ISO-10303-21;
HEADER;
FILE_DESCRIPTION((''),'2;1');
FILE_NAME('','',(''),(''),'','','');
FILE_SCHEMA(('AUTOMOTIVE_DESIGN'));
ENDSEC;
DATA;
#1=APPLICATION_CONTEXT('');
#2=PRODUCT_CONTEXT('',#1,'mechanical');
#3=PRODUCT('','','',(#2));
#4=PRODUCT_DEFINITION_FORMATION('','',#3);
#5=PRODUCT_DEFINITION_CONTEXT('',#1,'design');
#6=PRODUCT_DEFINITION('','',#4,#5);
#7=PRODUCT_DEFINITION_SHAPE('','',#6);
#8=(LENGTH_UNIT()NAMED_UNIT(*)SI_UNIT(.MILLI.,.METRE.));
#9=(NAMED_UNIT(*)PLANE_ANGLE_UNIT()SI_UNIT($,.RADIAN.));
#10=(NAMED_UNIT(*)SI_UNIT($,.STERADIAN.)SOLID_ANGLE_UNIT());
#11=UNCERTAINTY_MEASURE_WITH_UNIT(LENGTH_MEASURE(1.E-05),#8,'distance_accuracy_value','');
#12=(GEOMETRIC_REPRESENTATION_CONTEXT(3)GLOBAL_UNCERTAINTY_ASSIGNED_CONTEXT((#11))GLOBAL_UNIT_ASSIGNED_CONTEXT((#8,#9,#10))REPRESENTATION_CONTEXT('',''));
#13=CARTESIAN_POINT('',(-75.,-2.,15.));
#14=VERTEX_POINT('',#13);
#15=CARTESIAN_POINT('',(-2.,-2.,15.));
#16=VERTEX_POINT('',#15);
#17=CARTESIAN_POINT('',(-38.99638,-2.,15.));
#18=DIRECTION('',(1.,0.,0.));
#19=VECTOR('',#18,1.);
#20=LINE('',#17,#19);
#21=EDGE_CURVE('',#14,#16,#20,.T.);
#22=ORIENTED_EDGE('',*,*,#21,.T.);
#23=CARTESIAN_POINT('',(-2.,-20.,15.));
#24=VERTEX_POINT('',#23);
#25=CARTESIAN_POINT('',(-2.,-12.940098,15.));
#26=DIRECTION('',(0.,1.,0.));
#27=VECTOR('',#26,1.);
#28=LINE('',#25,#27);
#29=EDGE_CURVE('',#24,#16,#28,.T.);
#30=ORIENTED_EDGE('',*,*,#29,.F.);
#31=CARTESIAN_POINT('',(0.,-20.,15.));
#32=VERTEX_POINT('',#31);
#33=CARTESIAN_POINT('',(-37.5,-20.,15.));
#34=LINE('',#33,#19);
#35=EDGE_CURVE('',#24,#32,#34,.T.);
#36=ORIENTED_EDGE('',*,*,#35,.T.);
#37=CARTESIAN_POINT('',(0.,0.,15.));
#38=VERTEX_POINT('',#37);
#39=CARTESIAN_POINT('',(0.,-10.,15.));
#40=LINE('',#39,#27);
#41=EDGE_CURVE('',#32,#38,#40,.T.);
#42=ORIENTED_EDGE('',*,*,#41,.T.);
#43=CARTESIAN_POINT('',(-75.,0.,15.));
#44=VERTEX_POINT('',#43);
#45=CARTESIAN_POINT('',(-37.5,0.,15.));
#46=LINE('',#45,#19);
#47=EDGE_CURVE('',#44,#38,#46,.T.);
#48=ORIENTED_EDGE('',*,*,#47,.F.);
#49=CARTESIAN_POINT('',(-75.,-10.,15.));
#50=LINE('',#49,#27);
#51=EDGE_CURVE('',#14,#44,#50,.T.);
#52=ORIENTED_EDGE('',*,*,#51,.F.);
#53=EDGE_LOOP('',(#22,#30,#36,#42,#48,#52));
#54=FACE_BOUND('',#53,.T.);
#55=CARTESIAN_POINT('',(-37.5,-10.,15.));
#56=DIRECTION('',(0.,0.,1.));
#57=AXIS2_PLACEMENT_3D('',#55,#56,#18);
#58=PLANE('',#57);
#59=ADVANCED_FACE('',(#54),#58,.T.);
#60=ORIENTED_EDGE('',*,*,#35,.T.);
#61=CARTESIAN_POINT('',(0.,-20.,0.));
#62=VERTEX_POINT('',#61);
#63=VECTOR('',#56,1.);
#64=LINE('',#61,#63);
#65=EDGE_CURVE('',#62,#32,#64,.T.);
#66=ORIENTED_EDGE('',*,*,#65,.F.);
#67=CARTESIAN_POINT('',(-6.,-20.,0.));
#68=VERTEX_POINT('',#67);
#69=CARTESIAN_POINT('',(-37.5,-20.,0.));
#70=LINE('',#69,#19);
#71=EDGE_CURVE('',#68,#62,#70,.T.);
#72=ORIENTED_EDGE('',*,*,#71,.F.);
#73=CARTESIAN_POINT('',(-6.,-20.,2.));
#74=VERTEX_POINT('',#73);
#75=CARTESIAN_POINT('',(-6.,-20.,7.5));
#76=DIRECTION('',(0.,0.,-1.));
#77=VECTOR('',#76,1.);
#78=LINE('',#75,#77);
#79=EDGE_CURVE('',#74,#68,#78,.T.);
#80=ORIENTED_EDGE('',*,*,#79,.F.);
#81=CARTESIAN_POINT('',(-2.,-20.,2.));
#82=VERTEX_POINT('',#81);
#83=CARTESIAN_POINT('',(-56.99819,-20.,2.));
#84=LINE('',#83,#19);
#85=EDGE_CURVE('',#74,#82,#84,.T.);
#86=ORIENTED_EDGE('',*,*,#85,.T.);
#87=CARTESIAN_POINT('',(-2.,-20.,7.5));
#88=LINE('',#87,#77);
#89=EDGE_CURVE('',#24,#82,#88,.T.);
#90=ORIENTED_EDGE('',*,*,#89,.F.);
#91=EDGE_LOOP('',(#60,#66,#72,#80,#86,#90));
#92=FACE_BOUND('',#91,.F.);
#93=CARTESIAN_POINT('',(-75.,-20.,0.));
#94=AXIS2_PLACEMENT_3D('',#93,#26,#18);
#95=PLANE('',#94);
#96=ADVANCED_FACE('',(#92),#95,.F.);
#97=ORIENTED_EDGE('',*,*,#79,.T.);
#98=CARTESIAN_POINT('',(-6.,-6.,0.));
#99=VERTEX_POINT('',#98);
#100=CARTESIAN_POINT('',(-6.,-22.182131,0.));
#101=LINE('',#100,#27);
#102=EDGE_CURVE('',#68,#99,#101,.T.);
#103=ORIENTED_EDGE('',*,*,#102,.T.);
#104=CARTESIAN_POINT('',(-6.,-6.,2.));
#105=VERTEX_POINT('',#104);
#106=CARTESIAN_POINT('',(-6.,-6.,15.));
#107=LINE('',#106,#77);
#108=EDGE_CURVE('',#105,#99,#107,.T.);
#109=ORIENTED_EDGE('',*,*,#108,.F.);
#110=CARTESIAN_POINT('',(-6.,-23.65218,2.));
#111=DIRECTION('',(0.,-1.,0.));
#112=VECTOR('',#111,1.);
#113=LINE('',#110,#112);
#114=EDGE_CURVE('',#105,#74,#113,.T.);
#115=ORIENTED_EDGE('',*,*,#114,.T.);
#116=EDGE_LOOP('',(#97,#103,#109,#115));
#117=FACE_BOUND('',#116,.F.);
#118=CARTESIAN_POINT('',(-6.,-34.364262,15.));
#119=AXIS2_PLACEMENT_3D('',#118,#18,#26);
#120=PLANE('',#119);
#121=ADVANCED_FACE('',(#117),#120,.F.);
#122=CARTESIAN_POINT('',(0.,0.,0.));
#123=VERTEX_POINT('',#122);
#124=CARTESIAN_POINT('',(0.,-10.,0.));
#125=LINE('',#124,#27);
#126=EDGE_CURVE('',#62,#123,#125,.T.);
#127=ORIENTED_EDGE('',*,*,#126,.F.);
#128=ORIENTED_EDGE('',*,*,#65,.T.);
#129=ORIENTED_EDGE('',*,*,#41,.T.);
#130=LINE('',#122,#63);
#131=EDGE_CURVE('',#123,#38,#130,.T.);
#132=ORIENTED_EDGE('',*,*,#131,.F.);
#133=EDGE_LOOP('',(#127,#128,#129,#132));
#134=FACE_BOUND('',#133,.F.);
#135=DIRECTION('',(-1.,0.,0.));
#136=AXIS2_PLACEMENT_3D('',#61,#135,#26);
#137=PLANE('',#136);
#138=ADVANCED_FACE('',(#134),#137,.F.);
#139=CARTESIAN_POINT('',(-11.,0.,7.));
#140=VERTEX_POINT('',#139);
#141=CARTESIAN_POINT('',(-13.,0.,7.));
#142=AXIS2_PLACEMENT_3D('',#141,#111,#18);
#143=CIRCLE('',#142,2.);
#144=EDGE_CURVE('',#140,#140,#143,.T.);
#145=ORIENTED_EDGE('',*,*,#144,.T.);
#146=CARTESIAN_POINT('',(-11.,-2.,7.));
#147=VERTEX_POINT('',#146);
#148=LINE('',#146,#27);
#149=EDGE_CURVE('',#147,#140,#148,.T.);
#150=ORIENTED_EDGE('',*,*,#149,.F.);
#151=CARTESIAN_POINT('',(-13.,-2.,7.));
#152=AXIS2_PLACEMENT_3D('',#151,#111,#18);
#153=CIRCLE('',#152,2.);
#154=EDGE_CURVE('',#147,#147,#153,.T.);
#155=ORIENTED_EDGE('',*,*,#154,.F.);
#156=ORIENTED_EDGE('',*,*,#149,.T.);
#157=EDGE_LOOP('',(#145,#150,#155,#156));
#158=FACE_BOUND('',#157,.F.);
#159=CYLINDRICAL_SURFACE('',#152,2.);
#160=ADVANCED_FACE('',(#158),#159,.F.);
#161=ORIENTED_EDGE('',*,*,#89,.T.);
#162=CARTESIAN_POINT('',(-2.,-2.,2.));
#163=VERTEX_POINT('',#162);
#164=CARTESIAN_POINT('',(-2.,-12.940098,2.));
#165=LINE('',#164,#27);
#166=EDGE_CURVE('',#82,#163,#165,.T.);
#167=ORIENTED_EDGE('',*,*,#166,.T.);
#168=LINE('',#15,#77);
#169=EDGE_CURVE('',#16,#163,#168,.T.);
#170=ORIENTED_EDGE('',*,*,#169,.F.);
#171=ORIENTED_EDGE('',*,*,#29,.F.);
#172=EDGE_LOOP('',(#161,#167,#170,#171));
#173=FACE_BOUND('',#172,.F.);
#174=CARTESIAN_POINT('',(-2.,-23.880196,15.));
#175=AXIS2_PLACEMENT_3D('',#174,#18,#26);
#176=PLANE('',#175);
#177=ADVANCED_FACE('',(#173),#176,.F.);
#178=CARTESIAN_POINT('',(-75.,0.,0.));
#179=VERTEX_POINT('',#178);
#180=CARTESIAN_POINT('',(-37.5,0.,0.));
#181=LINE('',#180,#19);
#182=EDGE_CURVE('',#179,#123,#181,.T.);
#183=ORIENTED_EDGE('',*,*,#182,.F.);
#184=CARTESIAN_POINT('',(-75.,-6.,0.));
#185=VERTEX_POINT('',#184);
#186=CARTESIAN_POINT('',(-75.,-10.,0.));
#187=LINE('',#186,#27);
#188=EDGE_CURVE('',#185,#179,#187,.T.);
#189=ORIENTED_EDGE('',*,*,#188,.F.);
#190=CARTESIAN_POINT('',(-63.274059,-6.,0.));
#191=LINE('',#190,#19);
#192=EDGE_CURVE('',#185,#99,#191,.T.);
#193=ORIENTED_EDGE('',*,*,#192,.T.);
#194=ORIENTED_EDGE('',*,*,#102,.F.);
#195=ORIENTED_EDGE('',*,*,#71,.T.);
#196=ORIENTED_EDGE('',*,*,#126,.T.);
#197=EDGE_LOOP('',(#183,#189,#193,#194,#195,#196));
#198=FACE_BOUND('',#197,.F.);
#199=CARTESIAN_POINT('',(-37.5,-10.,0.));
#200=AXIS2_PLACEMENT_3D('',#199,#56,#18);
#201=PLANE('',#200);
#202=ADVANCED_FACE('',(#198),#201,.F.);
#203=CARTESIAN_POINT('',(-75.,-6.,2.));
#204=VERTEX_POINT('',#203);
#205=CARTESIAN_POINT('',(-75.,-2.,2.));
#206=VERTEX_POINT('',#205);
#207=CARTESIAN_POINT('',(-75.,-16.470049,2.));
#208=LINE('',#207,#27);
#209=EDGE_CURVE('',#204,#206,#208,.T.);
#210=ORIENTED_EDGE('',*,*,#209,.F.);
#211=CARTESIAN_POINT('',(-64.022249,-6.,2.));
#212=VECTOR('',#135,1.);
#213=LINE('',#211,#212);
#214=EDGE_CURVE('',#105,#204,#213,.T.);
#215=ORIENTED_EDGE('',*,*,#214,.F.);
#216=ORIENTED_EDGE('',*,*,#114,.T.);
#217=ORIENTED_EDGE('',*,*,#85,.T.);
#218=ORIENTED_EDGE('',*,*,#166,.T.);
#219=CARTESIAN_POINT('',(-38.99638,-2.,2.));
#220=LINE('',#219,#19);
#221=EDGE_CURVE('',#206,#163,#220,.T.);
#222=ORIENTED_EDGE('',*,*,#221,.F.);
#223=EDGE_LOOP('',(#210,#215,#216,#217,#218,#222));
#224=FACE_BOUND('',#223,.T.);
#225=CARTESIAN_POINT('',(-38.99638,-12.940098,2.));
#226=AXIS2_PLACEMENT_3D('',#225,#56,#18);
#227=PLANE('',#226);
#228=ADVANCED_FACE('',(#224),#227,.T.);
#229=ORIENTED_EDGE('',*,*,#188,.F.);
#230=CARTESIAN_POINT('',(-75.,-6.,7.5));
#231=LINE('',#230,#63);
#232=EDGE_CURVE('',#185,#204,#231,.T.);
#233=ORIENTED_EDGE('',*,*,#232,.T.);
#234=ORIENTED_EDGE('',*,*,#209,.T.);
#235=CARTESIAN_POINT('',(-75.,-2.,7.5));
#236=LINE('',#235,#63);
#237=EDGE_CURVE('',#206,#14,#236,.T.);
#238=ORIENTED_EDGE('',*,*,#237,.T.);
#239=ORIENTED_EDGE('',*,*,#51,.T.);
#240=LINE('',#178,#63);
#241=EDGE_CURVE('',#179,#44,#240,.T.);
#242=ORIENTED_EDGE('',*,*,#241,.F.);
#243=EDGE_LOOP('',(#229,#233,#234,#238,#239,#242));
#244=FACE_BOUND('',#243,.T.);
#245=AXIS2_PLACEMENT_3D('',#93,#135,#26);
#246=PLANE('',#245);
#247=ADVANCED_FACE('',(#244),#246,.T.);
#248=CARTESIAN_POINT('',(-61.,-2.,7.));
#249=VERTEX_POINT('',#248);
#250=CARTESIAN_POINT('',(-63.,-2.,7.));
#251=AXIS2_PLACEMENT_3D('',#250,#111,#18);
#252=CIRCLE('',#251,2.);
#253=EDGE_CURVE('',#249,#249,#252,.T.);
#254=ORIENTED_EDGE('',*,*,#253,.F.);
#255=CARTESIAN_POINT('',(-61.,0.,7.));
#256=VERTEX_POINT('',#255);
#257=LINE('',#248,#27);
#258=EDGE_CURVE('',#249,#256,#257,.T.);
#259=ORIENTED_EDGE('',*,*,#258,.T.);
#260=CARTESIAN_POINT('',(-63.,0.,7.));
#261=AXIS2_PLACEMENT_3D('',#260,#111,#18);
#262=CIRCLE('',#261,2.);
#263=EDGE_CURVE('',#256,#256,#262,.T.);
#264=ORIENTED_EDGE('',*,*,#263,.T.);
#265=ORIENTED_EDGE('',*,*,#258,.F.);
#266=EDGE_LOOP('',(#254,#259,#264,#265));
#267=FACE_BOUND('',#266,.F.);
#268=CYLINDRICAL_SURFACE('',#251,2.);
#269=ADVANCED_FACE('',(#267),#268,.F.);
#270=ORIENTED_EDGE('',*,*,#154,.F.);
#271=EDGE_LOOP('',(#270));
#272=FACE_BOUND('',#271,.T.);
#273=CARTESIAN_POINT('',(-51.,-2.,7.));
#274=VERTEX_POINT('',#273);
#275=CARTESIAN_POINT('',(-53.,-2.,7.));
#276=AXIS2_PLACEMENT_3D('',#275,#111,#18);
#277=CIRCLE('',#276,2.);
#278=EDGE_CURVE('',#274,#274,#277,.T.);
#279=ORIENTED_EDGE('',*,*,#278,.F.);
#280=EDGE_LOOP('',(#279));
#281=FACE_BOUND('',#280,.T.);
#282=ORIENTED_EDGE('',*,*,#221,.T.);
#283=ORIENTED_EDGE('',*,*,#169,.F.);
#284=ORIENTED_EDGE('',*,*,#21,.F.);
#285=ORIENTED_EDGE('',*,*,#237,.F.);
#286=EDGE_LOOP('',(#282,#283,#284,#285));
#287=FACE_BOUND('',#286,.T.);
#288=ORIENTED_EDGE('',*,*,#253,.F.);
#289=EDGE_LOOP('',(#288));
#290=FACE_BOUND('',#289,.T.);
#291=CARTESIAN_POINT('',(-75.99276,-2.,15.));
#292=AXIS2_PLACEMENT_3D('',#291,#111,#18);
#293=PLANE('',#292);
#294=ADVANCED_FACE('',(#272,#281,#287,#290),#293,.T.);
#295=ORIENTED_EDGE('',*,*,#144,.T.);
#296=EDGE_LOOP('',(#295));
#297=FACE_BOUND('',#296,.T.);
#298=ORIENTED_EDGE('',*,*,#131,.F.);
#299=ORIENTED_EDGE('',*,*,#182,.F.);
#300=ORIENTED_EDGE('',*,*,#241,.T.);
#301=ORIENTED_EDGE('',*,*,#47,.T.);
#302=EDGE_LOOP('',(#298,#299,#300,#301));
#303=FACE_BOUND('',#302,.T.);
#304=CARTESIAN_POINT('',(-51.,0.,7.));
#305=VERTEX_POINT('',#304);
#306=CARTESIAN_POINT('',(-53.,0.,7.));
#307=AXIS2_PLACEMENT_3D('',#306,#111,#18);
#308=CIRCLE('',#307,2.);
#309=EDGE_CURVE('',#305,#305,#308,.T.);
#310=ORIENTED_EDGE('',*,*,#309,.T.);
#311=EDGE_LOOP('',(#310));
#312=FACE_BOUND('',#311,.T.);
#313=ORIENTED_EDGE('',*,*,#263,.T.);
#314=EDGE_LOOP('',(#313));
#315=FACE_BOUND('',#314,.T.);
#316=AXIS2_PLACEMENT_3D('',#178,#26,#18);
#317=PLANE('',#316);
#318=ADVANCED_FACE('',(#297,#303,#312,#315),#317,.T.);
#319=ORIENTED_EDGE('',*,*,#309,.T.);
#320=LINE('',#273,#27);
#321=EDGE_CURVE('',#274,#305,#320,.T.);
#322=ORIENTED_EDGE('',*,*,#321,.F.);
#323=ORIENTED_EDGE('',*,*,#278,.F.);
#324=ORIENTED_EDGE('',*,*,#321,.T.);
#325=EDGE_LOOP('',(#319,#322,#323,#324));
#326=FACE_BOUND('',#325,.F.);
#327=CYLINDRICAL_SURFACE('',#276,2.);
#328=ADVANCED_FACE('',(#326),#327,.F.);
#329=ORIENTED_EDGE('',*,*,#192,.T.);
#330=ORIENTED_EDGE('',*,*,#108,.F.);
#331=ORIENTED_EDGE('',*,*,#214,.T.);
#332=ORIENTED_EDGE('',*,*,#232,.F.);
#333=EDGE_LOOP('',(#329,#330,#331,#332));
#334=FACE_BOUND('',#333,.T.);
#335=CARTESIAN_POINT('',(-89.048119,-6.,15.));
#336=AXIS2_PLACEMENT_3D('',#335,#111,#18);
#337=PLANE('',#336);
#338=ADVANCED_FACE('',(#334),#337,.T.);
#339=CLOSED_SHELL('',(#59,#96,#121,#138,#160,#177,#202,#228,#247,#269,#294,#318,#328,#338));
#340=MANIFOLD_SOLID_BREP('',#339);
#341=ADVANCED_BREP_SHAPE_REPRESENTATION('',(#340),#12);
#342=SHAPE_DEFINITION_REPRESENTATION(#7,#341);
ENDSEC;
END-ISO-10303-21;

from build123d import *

# Parameters (mm, degrees)
SKETCH_W        = 75
SKETCH_H        = 20
PAD_DEPTH       = 15
SKETCH001_W     = 83.048119
SKETCH001_H     = 28.364262
POCKET_DEPTH    = 15.001
SKETCH002_W     = 73.99276
SKETCH002_H     = 21.880196
POCKET001_DEPTH = 13
SKETCH003_R     = 2
POCKET002_DEPTH = 5


with BuildPart() as part:
    # Sketch → Pad (new body)
    with BuildSketch(Plane.XY):
        with Locations((-37.5, -10)):
            Rectangle(SKETCH_W, SKETCH_H)
    extrude(amount=PAD_DEPTH)

    # Sketch001 (on Face6 of Pad) → Pocket (cut, through all)
    with BuildSketch(Plane.XY.offset(15)):
        with Locations((-47.524059, -20.182131)):
            Rectangle(SKETCH001_W, SKETCH001_H)
    extrude(amount=-POCKET_DEPTH, mode=Mode.SUBTRACT)

    # Sketch002 (on Face5 of Pocket) → Pocket001 (cut)
    with BuildSketch(Plane.XY.offset(15)):
        with Locations((-38.99638, -12.940098)):
            Rectangle(SKETCH002_W, SKETCH002_H)
    extrude(amount=-POCKET001_DEPTH, mode=Mode.SUBTRACT)

    # Sketch003 (on Face9 of Pocket001) → Pocket002 (cut)
    with BuildSketch(Plane.XZ.offset(2)):
        with Locations((-13, 7)):
            Circle(SKETCH003_R)
        with Locations((-63, 7)):
            Circle(SKETCH003_R)
        with Locations((-53, 7)):
            Circle(SKETCH003_R)
    extrude(amount=-POCKET002_DEPTH, mode=Mode.SUBTRACT)


solid = part.part
